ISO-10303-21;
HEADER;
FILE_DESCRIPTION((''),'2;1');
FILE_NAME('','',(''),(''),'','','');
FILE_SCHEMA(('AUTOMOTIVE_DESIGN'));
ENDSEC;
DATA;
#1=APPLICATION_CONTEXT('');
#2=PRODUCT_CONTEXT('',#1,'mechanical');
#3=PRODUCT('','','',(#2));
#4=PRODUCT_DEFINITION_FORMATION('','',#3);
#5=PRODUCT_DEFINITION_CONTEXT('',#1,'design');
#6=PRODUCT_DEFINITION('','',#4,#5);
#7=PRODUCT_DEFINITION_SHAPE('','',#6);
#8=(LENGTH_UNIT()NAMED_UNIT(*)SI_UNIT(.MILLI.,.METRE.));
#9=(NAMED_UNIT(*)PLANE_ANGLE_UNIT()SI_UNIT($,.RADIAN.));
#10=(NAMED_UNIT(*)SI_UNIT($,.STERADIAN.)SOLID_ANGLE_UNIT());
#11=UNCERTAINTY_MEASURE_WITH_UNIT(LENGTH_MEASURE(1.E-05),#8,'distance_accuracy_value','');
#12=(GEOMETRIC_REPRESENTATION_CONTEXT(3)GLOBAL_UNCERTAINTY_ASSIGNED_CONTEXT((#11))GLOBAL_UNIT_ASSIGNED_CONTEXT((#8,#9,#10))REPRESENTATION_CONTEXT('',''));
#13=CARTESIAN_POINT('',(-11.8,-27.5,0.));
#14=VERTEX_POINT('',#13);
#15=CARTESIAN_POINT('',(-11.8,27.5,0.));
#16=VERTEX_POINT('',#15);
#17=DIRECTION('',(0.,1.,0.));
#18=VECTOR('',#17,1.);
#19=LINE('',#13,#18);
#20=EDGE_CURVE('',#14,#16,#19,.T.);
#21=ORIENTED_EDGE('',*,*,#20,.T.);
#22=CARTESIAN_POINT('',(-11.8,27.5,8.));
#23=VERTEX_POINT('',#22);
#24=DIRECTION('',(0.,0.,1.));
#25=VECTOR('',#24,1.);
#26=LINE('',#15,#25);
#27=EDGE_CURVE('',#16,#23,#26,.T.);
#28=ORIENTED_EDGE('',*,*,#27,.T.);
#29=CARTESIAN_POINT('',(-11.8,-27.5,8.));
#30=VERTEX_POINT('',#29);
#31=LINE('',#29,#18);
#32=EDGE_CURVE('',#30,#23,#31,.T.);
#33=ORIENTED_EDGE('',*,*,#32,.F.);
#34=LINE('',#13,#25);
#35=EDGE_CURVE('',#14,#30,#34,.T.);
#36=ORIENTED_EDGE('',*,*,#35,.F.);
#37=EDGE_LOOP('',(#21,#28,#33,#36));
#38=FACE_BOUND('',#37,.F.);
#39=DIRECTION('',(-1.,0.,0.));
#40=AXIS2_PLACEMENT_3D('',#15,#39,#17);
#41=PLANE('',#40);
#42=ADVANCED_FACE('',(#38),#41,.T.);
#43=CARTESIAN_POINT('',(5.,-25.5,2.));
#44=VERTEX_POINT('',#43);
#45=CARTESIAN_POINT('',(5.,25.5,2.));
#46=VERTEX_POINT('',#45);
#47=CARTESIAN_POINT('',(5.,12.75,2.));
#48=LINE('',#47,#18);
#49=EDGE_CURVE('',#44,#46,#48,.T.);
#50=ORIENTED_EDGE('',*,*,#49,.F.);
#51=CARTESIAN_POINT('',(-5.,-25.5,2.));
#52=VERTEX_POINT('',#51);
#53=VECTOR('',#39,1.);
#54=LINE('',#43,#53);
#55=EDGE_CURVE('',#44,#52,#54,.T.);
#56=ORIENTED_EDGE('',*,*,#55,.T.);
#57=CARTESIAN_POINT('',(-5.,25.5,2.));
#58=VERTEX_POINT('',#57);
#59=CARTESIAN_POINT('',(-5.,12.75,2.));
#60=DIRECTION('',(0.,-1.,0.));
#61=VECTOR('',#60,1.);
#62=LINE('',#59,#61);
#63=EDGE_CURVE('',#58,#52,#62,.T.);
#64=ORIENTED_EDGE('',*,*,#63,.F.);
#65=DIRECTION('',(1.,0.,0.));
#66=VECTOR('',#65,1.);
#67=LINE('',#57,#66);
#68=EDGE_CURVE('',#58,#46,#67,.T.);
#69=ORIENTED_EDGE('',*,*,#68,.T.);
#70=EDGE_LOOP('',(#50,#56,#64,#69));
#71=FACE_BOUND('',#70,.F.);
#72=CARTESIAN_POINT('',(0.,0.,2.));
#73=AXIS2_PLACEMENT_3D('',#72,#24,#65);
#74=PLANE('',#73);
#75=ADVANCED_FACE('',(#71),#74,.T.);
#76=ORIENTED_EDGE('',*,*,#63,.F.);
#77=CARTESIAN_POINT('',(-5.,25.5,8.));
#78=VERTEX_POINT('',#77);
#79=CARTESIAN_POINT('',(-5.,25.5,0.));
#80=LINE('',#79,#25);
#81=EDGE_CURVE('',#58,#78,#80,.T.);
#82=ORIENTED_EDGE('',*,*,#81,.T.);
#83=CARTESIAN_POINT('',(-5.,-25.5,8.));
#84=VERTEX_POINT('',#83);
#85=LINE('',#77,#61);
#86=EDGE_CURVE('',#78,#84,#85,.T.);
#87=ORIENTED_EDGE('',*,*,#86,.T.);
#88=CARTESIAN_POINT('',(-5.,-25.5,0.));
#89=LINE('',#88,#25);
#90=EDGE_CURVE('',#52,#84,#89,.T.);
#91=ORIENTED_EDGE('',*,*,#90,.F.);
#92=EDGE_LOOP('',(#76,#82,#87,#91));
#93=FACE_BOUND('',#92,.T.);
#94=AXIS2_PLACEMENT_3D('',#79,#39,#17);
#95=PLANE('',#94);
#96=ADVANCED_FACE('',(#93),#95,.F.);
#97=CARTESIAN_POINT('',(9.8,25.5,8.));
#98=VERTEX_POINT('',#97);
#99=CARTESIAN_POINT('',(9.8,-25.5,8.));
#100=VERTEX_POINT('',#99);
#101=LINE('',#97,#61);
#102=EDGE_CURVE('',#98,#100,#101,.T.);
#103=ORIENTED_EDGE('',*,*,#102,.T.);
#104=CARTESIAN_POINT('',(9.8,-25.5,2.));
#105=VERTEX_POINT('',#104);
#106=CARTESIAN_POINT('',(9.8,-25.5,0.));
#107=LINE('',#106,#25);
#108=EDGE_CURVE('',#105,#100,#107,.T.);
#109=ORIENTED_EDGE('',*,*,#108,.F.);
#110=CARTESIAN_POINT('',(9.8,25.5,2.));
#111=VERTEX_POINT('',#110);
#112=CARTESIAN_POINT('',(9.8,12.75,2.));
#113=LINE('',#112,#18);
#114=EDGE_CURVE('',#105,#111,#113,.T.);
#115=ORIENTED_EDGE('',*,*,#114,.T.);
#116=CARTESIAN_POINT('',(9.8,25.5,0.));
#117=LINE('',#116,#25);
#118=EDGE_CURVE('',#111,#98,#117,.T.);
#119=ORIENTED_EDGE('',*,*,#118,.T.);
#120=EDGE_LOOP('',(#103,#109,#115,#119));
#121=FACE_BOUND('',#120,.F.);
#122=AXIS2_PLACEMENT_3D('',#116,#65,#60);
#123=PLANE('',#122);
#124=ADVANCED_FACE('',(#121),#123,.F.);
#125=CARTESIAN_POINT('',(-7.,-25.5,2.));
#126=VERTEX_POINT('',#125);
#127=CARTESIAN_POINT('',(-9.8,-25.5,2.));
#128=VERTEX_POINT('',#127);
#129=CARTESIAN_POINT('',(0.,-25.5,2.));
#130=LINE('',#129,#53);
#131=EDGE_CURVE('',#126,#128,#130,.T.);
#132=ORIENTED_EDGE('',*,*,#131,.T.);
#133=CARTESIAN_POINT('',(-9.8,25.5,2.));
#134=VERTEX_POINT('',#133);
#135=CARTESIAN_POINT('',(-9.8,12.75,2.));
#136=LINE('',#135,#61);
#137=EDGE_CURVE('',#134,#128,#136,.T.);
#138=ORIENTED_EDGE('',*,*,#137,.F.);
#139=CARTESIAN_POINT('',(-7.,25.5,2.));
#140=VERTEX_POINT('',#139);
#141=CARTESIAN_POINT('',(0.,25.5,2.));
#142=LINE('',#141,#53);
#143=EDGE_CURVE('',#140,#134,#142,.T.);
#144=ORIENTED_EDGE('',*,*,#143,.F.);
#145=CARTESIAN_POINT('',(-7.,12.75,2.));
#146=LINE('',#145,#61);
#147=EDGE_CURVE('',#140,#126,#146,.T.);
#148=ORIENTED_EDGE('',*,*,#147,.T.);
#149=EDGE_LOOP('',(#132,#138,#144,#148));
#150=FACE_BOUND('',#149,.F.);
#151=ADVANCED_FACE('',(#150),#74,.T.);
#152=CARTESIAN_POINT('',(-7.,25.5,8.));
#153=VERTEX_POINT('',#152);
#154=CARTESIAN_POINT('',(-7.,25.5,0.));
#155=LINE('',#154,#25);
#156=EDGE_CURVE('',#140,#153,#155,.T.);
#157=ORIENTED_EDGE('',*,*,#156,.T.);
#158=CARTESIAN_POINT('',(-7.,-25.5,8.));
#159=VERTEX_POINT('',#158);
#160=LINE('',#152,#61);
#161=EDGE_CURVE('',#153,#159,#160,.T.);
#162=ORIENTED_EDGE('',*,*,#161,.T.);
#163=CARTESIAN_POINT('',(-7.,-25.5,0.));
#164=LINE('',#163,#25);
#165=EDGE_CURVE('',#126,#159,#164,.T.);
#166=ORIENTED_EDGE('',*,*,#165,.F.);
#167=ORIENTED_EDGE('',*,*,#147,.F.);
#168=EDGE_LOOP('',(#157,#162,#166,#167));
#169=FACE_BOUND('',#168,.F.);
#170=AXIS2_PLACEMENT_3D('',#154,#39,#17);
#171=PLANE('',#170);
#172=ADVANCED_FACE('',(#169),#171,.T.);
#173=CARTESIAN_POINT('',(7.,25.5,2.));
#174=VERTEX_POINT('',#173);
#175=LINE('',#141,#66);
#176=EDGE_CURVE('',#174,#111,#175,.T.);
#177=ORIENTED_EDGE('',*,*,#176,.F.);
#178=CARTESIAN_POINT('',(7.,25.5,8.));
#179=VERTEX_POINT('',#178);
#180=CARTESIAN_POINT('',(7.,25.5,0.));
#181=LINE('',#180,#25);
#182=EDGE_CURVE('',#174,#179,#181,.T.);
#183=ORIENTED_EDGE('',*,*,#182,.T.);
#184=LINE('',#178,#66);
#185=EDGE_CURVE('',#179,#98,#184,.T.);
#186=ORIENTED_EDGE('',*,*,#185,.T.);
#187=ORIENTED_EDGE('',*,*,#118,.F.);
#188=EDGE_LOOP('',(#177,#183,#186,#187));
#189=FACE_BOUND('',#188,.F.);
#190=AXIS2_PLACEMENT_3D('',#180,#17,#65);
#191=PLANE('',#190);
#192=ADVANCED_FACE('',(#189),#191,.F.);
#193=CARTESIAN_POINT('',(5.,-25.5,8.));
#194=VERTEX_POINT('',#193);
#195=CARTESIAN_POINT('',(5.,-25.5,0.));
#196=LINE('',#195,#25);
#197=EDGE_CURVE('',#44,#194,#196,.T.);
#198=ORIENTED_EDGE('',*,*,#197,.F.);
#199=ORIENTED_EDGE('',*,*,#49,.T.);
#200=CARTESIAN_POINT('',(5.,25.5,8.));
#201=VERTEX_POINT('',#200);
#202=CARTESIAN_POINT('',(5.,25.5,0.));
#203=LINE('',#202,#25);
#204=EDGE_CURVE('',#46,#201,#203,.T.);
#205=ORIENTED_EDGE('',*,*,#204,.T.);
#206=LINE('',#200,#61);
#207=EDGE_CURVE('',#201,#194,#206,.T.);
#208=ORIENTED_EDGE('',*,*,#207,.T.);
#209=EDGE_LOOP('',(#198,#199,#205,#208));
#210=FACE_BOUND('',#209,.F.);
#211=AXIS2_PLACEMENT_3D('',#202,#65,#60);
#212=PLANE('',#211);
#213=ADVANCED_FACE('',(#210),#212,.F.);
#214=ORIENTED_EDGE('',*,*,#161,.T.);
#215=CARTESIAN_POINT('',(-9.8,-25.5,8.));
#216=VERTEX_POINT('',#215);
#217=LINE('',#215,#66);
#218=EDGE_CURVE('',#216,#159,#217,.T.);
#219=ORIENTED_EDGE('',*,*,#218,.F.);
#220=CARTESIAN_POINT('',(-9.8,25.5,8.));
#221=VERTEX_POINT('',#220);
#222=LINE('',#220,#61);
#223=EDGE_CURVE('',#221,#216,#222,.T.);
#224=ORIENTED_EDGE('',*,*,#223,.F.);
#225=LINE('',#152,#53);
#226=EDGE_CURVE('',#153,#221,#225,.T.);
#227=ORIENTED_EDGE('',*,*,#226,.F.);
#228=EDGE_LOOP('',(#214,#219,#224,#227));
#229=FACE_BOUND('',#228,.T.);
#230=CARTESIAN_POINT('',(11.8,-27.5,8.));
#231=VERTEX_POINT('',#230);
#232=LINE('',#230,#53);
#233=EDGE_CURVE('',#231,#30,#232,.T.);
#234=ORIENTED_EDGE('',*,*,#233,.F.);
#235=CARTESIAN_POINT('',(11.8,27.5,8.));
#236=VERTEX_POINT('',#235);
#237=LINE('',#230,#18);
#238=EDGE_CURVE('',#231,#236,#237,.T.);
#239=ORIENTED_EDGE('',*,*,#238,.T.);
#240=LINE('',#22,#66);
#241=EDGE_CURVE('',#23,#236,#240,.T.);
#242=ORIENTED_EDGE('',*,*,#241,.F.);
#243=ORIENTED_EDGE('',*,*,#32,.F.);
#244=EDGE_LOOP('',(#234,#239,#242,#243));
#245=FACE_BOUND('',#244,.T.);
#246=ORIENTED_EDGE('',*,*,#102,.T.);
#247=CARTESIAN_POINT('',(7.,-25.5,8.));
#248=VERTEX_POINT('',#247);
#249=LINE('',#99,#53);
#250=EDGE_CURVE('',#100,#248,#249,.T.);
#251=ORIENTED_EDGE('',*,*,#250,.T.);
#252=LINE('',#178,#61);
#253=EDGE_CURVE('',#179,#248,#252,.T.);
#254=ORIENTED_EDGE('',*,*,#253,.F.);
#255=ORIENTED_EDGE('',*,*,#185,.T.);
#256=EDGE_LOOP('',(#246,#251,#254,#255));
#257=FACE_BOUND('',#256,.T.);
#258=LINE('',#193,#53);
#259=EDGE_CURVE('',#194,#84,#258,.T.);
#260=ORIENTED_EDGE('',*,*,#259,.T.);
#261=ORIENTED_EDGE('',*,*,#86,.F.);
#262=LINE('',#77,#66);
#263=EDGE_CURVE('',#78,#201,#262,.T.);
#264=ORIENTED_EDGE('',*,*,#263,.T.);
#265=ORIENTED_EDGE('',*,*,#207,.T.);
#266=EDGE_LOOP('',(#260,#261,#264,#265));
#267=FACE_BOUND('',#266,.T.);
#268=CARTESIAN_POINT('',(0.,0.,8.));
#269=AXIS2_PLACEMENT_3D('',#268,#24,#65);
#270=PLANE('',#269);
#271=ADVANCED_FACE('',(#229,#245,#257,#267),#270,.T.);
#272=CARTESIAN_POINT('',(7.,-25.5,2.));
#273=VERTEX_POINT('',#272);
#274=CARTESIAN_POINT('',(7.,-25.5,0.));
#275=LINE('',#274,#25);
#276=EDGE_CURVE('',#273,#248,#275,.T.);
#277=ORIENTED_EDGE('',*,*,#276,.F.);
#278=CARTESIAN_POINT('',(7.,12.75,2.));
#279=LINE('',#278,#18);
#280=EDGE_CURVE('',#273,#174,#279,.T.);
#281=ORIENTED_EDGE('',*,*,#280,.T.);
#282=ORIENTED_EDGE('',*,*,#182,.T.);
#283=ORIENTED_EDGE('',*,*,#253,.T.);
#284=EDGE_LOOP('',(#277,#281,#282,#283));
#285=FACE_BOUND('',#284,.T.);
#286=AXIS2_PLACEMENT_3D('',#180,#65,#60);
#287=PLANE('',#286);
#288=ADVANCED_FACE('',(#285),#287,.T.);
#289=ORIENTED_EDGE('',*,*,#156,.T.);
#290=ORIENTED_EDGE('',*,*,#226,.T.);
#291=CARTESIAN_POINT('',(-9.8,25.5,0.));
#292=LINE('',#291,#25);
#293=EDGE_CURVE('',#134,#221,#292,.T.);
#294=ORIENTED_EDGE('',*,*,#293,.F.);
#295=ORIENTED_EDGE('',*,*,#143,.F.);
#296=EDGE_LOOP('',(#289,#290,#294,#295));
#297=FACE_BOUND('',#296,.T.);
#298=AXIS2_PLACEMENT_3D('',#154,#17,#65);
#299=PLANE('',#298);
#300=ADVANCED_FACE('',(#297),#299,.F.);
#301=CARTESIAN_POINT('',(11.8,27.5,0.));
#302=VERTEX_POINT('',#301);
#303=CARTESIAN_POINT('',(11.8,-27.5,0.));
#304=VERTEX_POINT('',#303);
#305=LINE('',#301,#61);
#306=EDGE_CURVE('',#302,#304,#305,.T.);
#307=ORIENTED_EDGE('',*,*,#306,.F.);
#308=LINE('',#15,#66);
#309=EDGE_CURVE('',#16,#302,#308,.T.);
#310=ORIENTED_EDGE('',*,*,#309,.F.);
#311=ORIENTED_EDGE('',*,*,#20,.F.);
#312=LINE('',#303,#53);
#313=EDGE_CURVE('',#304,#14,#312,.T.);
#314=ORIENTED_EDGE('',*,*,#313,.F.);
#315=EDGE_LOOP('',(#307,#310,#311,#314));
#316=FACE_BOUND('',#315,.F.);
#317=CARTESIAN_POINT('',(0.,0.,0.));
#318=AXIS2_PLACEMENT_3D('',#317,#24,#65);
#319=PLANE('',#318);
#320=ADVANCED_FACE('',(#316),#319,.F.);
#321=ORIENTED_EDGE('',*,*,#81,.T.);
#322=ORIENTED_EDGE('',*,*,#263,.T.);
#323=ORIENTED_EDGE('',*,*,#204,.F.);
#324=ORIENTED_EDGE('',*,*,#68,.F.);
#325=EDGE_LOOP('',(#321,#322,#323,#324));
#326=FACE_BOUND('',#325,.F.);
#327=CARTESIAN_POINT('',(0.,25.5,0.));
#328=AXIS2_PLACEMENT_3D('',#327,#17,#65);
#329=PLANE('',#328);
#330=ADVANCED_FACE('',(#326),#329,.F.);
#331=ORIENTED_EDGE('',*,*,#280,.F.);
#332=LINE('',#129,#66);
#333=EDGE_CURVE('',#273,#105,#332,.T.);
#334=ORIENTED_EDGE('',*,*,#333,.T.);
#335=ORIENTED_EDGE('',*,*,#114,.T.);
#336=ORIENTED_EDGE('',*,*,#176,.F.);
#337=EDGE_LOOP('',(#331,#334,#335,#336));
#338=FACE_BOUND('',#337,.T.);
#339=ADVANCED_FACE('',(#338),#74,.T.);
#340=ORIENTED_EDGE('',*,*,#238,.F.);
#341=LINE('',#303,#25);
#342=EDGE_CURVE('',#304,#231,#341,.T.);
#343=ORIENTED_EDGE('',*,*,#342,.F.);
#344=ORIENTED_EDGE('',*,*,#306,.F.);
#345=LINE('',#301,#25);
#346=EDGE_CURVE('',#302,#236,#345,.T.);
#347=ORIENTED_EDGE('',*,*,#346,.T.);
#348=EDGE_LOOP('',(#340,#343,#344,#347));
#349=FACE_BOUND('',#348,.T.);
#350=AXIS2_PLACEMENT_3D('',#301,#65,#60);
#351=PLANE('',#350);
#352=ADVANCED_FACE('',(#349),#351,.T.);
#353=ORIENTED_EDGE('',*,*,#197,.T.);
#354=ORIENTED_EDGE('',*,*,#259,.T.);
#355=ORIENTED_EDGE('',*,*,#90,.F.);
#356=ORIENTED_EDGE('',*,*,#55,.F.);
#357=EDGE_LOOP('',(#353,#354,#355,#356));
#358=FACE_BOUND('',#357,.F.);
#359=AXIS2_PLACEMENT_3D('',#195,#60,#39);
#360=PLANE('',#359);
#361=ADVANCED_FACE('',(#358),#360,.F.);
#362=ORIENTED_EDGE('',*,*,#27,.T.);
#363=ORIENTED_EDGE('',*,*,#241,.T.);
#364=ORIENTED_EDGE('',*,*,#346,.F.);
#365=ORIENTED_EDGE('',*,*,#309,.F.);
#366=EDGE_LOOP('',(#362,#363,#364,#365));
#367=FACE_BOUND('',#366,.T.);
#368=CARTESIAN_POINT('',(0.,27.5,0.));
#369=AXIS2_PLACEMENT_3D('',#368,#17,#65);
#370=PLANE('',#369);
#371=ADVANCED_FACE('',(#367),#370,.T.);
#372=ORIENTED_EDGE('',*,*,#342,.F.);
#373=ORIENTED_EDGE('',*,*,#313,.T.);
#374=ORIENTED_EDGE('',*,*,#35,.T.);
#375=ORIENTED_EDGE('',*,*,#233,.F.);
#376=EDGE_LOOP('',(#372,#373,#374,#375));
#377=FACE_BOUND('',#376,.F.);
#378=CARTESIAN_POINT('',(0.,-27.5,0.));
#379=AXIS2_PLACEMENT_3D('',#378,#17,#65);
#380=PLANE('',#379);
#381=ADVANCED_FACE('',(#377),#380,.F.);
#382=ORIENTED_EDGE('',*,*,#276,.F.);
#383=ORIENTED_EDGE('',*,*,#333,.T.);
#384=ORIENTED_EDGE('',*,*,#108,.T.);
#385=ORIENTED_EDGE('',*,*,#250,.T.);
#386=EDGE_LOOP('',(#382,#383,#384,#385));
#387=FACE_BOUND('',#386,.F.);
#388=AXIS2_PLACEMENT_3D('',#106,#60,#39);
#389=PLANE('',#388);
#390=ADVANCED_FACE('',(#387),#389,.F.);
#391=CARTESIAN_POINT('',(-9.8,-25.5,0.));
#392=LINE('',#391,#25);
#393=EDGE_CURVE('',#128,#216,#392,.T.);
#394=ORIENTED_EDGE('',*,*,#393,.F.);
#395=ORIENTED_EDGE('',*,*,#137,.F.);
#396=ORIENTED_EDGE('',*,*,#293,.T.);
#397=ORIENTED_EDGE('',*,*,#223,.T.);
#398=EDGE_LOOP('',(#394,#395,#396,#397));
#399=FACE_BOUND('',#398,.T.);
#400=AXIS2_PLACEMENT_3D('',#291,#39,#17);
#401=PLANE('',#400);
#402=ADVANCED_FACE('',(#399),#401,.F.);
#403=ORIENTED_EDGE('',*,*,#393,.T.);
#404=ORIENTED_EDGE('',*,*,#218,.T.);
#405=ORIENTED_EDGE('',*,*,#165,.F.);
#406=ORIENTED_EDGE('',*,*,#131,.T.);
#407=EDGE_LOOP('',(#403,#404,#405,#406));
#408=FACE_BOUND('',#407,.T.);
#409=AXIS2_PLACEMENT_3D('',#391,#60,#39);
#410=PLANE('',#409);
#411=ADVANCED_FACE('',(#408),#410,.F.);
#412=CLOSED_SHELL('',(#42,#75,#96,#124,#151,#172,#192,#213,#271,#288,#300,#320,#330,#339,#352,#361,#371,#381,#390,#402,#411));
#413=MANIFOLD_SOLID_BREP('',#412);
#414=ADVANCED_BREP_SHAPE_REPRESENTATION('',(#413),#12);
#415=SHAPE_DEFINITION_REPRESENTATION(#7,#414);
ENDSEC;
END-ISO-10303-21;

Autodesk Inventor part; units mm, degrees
ref_plane "YZ Plane" through (0, 0, 0) normal (1, 0, 0) x (0, 1, 0)
ref_plane "XZ Plane" through (0, 0, 0) normal (0, 1, 0) x (-1, 0, 0)
ref_plane "XY Plane" through (0, 0, 0) normal (0, 0, 1) x (1, 0, 0)
sketch "Sketch1" plane through (0, 0, 0) normal (0, 0, 1) x (1, 0, 0)
  line L0 (0, 25.5) -> (5, 25.5)
  line L1 (5, 25.5) -> (5, -25.5)
  line L2 (5, -25.5) -> (0, -25.5)
  line L3 (0, -25.5) -> (0, 25.5)
  line L4 (5, 25.5) -> (7, 25.5)
  line L5 (7, 25.5) -> (7, -25.5)
  line L6 (7, -25.5) -> (5, -25.5)
  line L7 (5, -25.5) -> (5, 25.5)
  line L8 (7, 25.5) -> (9.8, 25.5)
  line L9 (9.8, 25.5) -> (9.8, -25.5)
  line L10 (9.8, -25.5) -> (7, -25.5)
  line L11 (7, -25.5) -> (7, 25.5)
  line L12 (9.8, -25.5) -> (11.8, -25.5)
  line L13 (11.8, -25.5) -> (11.8, 25.5)
  line L14 (11.8, 25.5) -> (9.8, 25.5)
  line L15 (9.8, 25.5) -> (9.8, -25.5)
  line L16 (0, 42.6516) -> (0, -39.217) construction
  line L17 (11.8, 25.5) -> (0, 25.5)
  line L18 (0, 25.5) -> (0, 27.5)
  line L19 (0, 27.5) -> (11.8, 27.5)
  line L20 (11.8, 27.5) -> (11.8, 25.5)
  line L21 (11.8, -25.5) -> (0, -25.5)
  line L22 (0, -25.5) -> (0, -27.5)
  line L23 (0, -27.5) -> (11.8, -27.5)
  line L24 (11.8, -27.5) -> (11.8, -25.5)
  point P0 (0, 0)
  point P1 (0, 0)
  dimension "d0" = 2
  dimension "d1" = 51
  dimension "d2" = 2.8
  dimension "d3" = 2
  dimension "d4" = 5
  dimension "d9" = 2
  dimension "d10" = 2
extrude "Extrusion1" add sketch "Sketch1" along normal blind 2 contours L0 L1 L2 L3 | L4 L5 L6 L1 | L8 L9 L10 L5 | L14 L13 L12 L9
extrude "Extrusion2" add sketch "Sketch1" along normal blind 8 contours L18 L19 L20 L14 L8 L4 L0 | L4 L5 L6 L1 | L2 L6 L10 L12 L24 L23 L22 | L14 L13 L12 L9
mirror "Mirror1" about plane through (0, 0, 0) normal (1, 0, 0) of "Extrusion1", "Extrusion2"
properties part number "BasicConnector"
